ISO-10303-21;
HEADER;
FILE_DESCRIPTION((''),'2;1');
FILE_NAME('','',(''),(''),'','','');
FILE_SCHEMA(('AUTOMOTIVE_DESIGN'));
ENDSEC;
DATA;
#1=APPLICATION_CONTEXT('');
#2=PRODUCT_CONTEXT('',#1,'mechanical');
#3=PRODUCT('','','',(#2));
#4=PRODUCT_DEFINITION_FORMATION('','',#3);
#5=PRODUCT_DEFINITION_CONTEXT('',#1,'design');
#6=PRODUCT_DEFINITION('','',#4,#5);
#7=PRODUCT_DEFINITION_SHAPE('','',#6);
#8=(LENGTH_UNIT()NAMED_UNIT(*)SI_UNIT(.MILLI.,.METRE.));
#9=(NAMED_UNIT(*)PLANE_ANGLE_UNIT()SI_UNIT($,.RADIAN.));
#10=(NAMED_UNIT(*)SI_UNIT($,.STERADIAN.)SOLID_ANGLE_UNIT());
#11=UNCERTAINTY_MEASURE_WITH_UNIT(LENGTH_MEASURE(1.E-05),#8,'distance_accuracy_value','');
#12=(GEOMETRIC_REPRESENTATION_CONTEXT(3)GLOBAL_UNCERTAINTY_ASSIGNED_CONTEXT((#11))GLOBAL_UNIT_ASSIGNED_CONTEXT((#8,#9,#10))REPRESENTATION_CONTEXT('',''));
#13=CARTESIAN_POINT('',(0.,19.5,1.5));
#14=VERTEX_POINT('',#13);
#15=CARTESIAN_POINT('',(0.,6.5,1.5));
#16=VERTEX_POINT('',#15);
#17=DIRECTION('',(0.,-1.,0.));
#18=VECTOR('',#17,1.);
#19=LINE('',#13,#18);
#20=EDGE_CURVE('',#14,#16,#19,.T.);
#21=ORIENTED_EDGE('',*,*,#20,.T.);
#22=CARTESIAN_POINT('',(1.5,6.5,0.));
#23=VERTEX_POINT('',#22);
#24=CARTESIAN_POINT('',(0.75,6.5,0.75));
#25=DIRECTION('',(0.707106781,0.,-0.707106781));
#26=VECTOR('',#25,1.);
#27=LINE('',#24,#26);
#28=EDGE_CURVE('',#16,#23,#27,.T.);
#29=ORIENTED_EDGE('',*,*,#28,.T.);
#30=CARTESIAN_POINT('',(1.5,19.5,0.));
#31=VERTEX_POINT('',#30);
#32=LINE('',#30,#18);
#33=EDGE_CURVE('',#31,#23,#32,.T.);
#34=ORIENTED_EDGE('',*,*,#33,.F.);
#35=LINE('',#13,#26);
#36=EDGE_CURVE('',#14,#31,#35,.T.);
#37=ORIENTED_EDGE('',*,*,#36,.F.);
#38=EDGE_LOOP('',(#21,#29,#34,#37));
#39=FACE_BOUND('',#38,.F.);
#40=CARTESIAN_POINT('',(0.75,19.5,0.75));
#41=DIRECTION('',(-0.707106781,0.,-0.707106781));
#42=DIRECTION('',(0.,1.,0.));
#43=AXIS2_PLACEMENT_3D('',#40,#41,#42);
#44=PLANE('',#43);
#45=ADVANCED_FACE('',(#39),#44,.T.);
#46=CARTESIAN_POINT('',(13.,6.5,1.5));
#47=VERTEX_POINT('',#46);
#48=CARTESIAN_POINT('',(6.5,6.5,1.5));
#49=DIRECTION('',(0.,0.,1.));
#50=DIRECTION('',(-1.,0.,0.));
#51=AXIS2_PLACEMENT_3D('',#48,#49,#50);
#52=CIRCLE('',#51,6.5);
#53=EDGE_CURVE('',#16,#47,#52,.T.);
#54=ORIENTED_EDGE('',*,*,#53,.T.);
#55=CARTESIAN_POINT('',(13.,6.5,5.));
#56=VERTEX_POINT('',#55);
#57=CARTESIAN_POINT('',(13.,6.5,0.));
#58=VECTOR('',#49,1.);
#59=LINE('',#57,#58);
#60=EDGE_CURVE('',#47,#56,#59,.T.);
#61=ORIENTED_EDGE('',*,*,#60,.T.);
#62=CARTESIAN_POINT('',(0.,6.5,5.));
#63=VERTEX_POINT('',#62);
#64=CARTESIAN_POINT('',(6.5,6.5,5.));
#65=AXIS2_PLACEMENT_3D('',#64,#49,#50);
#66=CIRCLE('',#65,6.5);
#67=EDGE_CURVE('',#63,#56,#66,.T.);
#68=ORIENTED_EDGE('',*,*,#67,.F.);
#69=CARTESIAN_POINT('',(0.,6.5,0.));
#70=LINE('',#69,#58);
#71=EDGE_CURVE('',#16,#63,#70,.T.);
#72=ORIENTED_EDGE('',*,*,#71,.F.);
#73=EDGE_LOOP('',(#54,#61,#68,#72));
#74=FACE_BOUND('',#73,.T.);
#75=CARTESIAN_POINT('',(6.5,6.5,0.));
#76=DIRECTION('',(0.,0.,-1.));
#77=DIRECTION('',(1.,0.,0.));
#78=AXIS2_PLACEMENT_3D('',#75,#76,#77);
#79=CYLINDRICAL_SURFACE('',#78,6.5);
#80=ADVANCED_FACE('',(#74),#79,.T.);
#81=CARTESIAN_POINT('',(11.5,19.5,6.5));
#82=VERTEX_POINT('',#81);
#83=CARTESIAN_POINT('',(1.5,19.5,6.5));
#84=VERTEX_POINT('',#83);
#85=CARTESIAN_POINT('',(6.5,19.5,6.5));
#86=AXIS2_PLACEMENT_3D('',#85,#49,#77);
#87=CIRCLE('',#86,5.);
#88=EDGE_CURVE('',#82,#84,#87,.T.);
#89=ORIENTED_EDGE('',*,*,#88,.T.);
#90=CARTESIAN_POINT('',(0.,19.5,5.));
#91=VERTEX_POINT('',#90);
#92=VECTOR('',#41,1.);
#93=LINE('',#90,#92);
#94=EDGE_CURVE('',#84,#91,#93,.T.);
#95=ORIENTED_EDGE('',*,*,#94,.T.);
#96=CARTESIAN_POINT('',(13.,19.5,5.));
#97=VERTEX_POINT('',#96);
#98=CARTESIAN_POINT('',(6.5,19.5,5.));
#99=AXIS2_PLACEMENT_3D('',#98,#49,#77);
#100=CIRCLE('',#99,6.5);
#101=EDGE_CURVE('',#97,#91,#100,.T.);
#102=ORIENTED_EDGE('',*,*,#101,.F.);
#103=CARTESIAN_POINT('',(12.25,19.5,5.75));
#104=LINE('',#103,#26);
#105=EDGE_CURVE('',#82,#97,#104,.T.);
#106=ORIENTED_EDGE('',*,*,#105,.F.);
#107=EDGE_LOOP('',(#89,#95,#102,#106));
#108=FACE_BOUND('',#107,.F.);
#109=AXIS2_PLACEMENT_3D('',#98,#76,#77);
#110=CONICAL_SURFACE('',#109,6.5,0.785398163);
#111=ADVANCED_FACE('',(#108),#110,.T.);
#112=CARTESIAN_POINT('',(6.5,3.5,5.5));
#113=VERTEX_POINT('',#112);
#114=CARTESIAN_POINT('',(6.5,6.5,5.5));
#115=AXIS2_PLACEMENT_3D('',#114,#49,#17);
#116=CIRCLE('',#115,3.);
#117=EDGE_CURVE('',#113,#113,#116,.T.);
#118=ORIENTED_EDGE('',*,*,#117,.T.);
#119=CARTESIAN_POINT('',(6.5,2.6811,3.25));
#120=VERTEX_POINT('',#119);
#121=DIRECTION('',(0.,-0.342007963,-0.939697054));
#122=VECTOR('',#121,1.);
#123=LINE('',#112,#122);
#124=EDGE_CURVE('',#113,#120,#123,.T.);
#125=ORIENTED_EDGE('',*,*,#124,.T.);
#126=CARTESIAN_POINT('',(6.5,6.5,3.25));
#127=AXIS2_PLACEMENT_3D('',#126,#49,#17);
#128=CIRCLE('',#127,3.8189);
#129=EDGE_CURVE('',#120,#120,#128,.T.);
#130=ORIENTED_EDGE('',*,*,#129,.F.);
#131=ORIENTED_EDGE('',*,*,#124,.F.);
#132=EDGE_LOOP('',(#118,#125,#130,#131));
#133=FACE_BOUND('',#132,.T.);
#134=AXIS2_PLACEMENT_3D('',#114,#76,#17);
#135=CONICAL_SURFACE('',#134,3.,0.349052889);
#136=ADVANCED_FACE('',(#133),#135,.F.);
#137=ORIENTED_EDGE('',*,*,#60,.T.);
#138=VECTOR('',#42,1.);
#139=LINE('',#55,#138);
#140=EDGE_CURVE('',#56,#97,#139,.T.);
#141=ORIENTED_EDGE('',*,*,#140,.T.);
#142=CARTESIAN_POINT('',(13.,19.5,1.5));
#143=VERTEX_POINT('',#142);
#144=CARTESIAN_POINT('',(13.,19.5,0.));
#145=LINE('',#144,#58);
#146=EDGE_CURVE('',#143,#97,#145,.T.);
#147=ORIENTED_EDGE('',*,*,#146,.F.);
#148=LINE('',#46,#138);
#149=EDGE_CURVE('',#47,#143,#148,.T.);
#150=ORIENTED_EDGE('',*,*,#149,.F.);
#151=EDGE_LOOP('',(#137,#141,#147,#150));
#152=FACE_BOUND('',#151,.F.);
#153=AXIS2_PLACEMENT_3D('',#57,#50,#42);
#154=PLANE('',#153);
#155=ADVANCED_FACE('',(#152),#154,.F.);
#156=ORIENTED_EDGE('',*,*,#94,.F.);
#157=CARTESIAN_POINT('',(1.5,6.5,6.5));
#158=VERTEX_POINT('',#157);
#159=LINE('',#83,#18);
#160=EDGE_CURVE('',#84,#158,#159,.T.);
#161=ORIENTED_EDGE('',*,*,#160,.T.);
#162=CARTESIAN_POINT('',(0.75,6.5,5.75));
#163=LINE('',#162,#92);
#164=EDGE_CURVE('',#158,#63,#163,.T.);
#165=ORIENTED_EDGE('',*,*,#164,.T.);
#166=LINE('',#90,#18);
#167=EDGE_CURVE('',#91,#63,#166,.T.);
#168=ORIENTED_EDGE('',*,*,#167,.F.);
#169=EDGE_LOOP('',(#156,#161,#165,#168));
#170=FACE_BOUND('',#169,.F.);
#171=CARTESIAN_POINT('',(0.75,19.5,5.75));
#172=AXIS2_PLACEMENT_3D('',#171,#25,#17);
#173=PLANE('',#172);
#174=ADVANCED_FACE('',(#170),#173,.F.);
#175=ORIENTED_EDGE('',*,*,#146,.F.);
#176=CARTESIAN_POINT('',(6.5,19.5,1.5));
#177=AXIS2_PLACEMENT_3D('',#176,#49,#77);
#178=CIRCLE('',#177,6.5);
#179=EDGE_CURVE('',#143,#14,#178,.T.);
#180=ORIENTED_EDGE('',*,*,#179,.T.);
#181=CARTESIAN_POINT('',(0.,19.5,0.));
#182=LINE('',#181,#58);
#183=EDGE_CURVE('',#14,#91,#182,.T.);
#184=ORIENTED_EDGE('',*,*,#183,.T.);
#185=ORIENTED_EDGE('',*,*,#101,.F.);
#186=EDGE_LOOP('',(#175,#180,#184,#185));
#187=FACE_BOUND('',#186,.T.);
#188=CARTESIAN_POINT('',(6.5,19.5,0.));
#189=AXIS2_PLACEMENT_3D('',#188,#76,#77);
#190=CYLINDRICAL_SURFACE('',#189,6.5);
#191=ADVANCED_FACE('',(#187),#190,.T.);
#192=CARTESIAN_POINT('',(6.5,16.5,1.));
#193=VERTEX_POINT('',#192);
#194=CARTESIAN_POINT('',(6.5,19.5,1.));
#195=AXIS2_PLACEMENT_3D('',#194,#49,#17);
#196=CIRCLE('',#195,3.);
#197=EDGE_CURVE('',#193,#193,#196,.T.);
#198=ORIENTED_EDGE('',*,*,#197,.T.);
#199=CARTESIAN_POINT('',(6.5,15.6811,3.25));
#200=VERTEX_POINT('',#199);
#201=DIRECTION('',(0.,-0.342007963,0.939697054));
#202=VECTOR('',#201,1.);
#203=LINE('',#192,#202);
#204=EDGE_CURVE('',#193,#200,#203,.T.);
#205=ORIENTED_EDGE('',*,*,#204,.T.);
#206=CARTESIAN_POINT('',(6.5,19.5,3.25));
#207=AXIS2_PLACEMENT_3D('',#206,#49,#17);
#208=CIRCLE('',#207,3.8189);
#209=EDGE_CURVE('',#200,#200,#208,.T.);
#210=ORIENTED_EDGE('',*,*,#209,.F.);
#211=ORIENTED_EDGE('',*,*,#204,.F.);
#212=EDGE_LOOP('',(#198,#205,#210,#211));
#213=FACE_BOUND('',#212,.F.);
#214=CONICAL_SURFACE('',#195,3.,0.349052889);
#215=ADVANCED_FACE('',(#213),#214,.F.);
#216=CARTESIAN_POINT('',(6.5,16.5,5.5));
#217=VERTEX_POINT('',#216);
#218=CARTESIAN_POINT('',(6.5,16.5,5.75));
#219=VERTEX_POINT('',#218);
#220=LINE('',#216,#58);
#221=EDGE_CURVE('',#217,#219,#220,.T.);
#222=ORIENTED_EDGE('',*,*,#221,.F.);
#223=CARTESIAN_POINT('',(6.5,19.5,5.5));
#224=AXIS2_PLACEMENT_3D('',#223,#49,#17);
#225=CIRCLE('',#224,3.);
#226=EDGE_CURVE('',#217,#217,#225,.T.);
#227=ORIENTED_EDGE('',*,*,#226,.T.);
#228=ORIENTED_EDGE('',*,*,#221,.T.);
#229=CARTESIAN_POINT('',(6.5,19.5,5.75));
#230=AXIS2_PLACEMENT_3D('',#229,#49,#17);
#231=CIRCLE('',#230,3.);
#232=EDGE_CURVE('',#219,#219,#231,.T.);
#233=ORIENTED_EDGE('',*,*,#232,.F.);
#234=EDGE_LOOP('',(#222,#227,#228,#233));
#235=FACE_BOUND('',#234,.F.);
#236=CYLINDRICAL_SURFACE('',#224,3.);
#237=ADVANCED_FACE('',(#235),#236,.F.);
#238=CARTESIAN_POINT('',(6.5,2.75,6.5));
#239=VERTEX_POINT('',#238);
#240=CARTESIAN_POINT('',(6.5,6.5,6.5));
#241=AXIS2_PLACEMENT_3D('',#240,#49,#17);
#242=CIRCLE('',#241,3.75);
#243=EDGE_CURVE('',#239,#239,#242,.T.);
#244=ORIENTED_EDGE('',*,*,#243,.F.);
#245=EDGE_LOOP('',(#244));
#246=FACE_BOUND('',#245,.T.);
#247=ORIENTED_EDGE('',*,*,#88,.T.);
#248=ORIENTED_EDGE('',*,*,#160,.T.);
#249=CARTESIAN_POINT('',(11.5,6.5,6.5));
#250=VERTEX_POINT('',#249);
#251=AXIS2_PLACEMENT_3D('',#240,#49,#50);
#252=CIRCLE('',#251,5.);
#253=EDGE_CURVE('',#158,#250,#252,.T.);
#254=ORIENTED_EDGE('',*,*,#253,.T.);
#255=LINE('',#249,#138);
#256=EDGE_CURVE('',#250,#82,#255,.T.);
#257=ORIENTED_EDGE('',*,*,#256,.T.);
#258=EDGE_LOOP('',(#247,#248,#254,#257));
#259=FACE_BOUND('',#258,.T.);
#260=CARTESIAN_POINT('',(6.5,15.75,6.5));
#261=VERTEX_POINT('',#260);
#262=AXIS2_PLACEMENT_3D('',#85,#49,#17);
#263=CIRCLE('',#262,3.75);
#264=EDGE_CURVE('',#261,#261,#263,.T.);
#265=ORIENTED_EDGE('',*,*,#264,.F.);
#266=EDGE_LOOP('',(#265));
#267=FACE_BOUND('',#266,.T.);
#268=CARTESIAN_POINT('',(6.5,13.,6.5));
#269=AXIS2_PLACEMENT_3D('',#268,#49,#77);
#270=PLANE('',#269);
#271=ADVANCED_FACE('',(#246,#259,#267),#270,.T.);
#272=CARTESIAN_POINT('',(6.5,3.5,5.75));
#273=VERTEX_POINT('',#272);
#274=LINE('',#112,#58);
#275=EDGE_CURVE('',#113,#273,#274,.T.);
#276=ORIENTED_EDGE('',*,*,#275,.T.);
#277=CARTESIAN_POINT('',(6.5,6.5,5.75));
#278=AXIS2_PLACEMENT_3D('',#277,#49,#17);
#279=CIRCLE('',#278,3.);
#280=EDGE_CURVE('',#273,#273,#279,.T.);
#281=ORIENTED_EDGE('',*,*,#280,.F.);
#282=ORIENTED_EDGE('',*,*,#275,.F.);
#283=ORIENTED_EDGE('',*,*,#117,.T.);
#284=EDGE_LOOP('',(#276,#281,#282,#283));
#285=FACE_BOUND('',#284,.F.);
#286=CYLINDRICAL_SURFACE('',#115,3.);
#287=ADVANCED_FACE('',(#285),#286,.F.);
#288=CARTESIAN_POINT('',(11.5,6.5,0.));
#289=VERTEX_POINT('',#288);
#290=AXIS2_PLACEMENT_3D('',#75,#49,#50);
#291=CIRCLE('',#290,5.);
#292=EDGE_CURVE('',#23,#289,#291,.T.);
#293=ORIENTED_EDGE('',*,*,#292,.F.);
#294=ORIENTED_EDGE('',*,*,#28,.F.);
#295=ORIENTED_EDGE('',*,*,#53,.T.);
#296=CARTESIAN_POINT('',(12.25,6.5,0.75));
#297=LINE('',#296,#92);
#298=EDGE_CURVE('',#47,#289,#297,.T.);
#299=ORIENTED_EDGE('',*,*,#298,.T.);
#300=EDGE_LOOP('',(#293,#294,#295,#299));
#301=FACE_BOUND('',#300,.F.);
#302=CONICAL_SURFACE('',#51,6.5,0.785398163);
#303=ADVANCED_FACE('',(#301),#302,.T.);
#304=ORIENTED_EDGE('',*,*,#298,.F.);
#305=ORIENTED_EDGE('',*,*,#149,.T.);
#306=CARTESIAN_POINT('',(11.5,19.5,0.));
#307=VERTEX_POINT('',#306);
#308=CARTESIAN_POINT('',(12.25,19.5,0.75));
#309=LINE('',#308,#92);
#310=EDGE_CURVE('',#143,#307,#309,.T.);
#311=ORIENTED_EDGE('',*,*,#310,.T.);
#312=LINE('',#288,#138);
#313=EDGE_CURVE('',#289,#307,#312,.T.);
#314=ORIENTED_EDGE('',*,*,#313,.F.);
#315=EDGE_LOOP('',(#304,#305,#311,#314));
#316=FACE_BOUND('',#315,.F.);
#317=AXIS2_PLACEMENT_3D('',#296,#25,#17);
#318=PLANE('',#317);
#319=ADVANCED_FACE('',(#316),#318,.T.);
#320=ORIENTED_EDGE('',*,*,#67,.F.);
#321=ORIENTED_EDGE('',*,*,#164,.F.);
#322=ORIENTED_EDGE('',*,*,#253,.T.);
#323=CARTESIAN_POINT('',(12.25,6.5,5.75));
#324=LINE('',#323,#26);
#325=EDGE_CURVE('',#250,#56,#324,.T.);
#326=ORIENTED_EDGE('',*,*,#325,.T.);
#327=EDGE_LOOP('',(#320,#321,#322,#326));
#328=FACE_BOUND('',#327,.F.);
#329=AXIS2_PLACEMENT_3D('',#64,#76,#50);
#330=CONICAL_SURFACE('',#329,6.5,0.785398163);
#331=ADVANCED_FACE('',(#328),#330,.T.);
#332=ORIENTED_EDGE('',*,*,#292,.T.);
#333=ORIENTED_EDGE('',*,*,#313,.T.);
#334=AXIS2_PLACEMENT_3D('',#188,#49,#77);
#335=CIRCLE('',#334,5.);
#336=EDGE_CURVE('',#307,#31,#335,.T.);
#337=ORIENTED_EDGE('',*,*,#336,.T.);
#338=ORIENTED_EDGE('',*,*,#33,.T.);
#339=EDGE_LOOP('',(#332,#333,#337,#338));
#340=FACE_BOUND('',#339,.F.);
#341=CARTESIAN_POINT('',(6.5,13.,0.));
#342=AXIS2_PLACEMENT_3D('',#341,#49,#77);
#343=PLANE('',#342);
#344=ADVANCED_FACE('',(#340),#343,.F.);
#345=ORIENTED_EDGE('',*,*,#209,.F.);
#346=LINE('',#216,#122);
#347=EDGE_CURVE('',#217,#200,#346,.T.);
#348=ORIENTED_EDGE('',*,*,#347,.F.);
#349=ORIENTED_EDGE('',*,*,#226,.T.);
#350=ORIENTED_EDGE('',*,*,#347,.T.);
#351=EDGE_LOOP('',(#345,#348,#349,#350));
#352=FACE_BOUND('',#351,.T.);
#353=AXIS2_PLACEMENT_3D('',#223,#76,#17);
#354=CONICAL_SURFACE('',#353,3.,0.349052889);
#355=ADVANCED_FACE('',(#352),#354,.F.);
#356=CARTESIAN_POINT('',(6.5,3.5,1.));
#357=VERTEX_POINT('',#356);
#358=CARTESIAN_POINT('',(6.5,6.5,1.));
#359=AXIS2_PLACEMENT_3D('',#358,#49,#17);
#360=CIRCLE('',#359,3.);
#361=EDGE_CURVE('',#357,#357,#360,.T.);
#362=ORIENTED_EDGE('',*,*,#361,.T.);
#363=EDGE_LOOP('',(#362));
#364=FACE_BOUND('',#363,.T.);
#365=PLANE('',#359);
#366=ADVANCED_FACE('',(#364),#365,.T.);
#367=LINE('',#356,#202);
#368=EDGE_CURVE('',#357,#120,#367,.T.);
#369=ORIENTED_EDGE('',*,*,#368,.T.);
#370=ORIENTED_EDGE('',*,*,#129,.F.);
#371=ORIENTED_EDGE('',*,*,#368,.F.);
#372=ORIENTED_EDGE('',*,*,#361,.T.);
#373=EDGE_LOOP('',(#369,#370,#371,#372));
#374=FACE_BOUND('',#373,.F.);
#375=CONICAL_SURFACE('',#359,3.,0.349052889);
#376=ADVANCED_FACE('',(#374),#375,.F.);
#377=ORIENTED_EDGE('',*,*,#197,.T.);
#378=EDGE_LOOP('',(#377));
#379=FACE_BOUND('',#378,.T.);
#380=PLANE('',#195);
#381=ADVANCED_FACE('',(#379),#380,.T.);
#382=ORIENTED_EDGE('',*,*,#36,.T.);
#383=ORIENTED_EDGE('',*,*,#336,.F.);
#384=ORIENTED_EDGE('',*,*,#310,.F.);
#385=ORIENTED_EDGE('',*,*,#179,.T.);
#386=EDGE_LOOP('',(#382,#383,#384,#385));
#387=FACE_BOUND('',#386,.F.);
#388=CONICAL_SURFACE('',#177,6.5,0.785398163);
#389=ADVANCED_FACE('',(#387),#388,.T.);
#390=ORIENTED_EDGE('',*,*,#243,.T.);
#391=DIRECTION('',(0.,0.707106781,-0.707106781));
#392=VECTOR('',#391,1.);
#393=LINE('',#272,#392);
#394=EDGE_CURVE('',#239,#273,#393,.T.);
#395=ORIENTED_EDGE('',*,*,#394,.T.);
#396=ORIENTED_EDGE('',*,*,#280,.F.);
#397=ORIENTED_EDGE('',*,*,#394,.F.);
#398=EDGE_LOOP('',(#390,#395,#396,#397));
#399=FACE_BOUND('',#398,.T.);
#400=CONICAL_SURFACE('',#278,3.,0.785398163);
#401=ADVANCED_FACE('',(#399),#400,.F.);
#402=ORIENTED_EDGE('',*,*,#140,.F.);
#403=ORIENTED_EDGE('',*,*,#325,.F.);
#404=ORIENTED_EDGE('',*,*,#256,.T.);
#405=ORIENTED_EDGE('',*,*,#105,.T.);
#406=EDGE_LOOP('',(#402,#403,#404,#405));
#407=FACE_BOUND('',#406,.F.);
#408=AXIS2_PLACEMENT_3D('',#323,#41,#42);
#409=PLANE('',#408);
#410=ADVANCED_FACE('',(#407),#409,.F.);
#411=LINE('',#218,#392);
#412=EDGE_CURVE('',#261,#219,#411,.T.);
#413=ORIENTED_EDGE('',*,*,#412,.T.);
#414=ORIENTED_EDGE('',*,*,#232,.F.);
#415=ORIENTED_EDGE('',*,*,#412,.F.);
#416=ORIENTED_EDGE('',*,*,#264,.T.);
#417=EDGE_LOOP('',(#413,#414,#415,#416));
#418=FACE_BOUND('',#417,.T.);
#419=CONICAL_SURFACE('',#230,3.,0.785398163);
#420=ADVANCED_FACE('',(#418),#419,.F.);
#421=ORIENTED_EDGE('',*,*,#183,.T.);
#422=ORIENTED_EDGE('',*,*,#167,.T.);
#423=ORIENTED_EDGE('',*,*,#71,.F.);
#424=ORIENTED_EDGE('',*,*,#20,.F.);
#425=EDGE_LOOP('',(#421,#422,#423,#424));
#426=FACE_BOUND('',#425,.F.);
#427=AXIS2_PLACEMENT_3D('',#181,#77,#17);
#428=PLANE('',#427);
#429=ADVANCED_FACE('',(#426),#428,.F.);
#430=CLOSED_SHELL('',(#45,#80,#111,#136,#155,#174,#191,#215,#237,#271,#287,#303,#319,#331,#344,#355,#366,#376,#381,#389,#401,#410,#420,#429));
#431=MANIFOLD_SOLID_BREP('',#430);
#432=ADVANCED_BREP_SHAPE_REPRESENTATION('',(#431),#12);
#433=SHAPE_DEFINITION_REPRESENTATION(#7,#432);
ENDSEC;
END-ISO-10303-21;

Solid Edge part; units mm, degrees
sketch "Sketch1" plane through (0, 0, 0) normal (0, 0, 1) x (1, 0, 0)
  line L0 (0, 19.5) -> (0, 6.5)
  line L1 (13, 6.5) -> (13, 19.5)
  arc A0 (13, 6.5) -> (0, 6.5) centre (6.5, 6.5) cw
  arc A1 (0, 19.5) -> (13, 19.5) centre (6.5, 19.5) cw
extrude "Protrusion1" add sketch "Sketch1" along normal blind 6.5
sketch "Sketch2" plane through (6.5, 0, 0) normal (1, 0, 0) x (0, 1, 0)
  line L0 (3.5, 5.5) -> (3.5, 6.5)
  line L1 (3.5, 6.5) -> (6.5, 6.5)
  line L2 (6.5, 1) -> (6.5, 6.5)
  line L3 (3.5, 1) -> (6.5, 1)
  line L4 (3.5, 1) -> (2.6811, 3.25)
  line L5 (3.5, 5.5) -> (2.6811, 3.25)
revolve "RevolvedCutout1" cut sketch "Sketch2" angle 360 about axis through (6.5, 6.5, 1) along (0, 0, 1)
chamfer "Chaflán_38" distance 0.75 angle 45 1 edges at (6.5, 3.5, 6.5)
pattern_linear "Pattern1" count 2 spacing 13 along (0, 1, 0) of "RevolvedCutout1", "Chaflán_38"
chamfer "Chaflán_39" distance 1.5 angle 45 8 edges at (13, 13, 6.5) (6.5, 0, 6.5) (0, 13, 6.5) (6.5, 26, 6.5) (13, 13, 0) (6.5, 0, 0) (0, 13, 0) (6.5, 26, 0)
